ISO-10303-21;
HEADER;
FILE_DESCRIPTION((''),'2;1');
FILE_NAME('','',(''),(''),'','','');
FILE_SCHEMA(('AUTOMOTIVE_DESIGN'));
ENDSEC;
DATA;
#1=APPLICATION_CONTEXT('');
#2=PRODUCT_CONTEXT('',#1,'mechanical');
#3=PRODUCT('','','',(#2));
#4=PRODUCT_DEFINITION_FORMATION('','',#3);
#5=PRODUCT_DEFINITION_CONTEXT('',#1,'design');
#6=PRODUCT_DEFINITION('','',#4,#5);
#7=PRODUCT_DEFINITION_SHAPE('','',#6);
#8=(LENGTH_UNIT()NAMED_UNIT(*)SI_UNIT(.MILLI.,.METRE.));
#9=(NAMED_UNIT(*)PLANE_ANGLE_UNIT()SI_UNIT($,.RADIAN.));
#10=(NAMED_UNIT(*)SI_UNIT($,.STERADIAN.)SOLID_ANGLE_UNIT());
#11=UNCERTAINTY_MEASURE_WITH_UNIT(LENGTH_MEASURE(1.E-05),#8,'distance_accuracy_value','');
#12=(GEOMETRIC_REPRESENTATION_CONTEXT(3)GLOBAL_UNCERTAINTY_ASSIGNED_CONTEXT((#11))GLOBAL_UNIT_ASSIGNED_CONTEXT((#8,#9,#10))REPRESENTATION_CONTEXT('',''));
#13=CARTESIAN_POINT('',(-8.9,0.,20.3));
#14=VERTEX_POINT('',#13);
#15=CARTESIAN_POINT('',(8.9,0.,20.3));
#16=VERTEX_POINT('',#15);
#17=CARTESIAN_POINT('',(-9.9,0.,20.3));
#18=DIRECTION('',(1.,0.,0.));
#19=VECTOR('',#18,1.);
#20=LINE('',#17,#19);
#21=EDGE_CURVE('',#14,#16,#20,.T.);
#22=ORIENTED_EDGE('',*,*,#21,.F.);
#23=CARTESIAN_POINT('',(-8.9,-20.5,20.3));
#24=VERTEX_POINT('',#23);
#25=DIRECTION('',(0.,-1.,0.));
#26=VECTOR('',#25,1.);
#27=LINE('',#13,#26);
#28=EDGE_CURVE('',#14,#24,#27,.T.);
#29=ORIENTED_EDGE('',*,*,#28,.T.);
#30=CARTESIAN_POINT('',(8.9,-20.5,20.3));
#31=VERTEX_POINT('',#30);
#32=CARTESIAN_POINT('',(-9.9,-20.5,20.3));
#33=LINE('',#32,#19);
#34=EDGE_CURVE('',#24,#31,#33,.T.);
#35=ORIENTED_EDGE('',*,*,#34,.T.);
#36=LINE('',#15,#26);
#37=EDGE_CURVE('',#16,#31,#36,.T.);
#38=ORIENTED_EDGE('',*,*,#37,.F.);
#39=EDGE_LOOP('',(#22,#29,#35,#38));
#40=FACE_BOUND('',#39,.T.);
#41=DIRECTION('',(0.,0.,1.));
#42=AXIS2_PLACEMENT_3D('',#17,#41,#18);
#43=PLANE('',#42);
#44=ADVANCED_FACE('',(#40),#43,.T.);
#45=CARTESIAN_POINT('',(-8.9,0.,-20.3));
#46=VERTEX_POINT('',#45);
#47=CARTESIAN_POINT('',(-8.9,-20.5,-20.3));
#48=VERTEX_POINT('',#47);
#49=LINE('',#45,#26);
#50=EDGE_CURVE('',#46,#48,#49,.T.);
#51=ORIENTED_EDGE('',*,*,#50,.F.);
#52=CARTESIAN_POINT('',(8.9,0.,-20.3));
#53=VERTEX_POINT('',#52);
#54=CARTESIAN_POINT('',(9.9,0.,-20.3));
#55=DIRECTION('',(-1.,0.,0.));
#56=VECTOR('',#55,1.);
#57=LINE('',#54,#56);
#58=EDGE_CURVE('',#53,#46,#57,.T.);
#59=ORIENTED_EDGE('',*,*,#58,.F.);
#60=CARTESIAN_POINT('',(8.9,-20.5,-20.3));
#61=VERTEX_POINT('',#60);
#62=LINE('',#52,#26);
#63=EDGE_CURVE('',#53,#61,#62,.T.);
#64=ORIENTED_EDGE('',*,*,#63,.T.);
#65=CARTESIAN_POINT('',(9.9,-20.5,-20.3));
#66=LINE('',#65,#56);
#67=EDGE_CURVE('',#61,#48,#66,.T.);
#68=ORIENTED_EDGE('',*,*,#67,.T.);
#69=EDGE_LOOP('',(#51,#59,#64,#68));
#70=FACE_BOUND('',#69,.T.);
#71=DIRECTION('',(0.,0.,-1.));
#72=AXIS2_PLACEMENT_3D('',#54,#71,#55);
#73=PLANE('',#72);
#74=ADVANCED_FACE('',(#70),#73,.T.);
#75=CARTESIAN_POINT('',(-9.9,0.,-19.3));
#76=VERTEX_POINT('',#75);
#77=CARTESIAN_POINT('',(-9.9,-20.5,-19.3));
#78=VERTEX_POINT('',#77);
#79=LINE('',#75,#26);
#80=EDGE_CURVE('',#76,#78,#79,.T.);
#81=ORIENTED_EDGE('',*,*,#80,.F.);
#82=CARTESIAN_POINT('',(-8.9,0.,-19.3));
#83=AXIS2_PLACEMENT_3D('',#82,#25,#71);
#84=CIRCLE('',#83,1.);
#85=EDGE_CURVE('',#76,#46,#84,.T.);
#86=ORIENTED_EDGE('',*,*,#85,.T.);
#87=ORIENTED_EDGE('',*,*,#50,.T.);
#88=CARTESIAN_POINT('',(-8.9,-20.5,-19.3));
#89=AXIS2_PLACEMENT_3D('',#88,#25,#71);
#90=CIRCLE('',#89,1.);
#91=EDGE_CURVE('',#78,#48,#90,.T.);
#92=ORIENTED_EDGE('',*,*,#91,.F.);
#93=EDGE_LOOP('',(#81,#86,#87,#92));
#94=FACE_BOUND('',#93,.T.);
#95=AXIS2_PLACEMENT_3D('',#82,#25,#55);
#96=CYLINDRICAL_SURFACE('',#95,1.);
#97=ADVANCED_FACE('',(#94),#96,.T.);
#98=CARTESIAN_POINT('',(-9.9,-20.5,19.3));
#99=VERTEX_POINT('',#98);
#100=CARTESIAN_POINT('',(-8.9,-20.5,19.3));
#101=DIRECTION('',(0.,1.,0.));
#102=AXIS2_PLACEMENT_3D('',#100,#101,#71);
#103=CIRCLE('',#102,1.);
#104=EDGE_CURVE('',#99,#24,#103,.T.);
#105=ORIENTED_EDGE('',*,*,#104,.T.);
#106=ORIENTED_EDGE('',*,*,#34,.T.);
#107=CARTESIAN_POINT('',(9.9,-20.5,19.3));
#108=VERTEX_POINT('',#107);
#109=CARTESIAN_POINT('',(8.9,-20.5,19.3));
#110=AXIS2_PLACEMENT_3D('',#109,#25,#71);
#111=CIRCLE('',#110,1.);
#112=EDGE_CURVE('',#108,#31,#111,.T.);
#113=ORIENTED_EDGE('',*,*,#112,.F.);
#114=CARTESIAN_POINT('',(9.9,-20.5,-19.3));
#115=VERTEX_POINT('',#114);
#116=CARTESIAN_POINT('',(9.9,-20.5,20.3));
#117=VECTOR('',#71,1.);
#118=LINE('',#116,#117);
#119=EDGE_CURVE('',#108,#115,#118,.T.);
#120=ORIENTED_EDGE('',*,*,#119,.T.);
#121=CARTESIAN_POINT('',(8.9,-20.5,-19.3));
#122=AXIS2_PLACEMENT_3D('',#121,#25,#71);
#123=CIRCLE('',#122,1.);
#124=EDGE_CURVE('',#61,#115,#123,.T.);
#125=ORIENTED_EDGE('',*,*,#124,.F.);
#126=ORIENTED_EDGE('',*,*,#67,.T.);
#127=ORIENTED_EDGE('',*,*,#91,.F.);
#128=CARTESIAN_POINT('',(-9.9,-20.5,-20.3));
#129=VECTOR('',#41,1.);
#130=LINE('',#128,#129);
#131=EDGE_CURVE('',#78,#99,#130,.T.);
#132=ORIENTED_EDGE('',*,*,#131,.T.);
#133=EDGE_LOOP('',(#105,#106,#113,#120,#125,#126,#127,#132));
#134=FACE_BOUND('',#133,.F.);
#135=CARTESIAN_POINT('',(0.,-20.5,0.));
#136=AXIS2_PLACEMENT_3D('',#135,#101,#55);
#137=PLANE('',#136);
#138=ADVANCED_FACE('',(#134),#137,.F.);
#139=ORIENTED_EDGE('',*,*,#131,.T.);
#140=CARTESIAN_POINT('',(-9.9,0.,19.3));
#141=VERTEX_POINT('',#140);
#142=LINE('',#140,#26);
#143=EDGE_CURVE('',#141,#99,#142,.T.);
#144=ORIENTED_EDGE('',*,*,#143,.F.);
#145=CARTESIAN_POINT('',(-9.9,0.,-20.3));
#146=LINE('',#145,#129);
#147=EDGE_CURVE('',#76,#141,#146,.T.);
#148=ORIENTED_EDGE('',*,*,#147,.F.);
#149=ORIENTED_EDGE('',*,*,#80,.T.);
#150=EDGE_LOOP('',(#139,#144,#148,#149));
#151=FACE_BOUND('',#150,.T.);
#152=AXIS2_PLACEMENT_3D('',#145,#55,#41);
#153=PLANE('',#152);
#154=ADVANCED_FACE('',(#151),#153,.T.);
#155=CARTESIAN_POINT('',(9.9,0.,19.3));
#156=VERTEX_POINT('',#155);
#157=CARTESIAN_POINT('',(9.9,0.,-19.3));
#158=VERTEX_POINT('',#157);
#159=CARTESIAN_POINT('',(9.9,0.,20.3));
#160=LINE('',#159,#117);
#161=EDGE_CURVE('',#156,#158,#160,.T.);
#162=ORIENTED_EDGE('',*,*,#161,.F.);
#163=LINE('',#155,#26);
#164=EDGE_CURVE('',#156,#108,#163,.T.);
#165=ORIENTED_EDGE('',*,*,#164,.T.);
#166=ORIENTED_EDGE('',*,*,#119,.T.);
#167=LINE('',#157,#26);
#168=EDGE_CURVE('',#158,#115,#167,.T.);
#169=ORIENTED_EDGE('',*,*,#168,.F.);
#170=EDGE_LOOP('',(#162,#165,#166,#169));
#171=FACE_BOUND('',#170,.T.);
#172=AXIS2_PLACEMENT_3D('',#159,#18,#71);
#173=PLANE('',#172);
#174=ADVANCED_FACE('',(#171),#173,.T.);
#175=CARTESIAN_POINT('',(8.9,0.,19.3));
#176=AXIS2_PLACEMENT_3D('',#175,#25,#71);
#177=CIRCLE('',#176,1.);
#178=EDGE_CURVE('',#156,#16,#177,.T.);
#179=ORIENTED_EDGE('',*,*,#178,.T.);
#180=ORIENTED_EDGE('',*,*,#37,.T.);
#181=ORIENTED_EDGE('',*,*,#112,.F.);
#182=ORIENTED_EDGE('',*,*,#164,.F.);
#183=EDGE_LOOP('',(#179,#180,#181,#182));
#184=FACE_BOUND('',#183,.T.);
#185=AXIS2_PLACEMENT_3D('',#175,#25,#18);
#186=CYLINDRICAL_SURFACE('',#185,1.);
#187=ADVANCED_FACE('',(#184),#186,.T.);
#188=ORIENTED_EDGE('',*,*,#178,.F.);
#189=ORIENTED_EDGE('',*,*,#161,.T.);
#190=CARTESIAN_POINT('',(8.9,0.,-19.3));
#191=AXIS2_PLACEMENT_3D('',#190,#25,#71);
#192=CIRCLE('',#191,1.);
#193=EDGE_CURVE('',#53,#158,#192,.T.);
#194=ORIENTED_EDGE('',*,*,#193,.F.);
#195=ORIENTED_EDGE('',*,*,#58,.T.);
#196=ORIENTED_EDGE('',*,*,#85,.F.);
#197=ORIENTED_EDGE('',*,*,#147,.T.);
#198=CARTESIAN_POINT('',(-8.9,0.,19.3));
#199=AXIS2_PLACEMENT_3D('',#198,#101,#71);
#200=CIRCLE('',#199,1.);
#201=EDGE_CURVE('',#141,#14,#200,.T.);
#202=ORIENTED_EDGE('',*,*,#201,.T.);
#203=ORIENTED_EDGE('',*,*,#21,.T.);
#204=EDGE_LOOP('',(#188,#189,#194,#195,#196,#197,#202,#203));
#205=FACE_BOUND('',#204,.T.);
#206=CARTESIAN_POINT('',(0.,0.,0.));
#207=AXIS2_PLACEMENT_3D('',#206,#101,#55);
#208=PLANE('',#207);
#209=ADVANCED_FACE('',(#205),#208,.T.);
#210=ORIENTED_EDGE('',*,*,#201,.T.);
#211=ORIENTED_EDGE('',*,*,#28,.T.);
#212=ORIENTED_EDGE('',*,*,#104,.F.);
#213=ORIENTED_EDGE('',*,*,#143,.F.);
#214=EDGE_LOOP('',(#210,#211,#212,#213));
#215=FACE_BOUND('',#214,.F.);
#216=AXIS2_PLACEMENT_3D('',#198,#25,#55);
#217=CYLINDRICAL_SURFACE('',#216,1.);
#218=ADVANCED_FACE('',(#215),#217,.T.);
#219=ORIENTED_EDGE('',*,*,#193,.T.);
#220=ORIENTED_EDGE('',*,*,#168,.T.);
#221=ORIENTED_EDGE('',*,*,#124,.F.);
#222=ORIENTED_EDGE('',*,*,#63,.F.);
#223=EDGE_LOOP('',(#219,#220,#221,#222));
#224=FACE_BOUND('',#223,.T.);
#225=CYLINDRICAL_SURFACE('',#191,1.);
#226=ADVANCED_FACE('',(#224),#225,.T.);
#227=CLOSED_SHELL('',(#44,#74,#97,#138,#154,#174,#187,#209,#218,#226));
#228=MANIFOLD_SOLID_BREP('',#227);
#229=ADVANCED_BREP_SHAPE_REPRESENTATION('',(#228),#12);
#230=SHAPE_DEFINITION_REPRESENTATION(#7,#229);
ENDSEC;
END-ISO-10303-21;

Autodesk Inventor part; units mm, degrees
ref_plane "YZ Plane" through (0, 0, 0) normal (1, 0, 0) x (0, 1, 0)
ref_plane "XZ Plane" through (0, 0, 0) normal (0, 1, 0) x (-1, 0, 0)
ref_plane "XY Plane" through (0, 0, 0) normal (0, 0, 1) x (1, 0, 0)
sketch "Boceto1" plane through (0, 0, 0) normal (0, 1, 0) x (-1, 0, 0)
  line L0 (9.9, 20.3) -> (-9.9, 20.3)
  line L1 (-9.9, 20.3) -> (-9.9, -20.3)
  line L2 (-9.9, -20.3) -> (9.9, -20.3)
  line L3 (9.9, -20.3) -> (9.9, 20.3)
  line L4 (9.9, 20.3) -> (-9.9, -20.3) construction
  line L5 (-9.9, 20.3) -> (9.9, -20.3) construction
  point P0 (0, 0)
  dimension "d0" = 19.8
  dimension "d1" = 40.6
extrude "Extrusión1" add sketch "Boceto1" against normal blind 20.5
fillet "Empalme1" radius 1 4 edges at (9.9, -10.25, 20.3) (-9.9, -10.25, 20.3) (9.9, -10.25, -20.3) (-9.9, -10.25, -20.3)
properties part number "Medio" material "Plástico ABS"
